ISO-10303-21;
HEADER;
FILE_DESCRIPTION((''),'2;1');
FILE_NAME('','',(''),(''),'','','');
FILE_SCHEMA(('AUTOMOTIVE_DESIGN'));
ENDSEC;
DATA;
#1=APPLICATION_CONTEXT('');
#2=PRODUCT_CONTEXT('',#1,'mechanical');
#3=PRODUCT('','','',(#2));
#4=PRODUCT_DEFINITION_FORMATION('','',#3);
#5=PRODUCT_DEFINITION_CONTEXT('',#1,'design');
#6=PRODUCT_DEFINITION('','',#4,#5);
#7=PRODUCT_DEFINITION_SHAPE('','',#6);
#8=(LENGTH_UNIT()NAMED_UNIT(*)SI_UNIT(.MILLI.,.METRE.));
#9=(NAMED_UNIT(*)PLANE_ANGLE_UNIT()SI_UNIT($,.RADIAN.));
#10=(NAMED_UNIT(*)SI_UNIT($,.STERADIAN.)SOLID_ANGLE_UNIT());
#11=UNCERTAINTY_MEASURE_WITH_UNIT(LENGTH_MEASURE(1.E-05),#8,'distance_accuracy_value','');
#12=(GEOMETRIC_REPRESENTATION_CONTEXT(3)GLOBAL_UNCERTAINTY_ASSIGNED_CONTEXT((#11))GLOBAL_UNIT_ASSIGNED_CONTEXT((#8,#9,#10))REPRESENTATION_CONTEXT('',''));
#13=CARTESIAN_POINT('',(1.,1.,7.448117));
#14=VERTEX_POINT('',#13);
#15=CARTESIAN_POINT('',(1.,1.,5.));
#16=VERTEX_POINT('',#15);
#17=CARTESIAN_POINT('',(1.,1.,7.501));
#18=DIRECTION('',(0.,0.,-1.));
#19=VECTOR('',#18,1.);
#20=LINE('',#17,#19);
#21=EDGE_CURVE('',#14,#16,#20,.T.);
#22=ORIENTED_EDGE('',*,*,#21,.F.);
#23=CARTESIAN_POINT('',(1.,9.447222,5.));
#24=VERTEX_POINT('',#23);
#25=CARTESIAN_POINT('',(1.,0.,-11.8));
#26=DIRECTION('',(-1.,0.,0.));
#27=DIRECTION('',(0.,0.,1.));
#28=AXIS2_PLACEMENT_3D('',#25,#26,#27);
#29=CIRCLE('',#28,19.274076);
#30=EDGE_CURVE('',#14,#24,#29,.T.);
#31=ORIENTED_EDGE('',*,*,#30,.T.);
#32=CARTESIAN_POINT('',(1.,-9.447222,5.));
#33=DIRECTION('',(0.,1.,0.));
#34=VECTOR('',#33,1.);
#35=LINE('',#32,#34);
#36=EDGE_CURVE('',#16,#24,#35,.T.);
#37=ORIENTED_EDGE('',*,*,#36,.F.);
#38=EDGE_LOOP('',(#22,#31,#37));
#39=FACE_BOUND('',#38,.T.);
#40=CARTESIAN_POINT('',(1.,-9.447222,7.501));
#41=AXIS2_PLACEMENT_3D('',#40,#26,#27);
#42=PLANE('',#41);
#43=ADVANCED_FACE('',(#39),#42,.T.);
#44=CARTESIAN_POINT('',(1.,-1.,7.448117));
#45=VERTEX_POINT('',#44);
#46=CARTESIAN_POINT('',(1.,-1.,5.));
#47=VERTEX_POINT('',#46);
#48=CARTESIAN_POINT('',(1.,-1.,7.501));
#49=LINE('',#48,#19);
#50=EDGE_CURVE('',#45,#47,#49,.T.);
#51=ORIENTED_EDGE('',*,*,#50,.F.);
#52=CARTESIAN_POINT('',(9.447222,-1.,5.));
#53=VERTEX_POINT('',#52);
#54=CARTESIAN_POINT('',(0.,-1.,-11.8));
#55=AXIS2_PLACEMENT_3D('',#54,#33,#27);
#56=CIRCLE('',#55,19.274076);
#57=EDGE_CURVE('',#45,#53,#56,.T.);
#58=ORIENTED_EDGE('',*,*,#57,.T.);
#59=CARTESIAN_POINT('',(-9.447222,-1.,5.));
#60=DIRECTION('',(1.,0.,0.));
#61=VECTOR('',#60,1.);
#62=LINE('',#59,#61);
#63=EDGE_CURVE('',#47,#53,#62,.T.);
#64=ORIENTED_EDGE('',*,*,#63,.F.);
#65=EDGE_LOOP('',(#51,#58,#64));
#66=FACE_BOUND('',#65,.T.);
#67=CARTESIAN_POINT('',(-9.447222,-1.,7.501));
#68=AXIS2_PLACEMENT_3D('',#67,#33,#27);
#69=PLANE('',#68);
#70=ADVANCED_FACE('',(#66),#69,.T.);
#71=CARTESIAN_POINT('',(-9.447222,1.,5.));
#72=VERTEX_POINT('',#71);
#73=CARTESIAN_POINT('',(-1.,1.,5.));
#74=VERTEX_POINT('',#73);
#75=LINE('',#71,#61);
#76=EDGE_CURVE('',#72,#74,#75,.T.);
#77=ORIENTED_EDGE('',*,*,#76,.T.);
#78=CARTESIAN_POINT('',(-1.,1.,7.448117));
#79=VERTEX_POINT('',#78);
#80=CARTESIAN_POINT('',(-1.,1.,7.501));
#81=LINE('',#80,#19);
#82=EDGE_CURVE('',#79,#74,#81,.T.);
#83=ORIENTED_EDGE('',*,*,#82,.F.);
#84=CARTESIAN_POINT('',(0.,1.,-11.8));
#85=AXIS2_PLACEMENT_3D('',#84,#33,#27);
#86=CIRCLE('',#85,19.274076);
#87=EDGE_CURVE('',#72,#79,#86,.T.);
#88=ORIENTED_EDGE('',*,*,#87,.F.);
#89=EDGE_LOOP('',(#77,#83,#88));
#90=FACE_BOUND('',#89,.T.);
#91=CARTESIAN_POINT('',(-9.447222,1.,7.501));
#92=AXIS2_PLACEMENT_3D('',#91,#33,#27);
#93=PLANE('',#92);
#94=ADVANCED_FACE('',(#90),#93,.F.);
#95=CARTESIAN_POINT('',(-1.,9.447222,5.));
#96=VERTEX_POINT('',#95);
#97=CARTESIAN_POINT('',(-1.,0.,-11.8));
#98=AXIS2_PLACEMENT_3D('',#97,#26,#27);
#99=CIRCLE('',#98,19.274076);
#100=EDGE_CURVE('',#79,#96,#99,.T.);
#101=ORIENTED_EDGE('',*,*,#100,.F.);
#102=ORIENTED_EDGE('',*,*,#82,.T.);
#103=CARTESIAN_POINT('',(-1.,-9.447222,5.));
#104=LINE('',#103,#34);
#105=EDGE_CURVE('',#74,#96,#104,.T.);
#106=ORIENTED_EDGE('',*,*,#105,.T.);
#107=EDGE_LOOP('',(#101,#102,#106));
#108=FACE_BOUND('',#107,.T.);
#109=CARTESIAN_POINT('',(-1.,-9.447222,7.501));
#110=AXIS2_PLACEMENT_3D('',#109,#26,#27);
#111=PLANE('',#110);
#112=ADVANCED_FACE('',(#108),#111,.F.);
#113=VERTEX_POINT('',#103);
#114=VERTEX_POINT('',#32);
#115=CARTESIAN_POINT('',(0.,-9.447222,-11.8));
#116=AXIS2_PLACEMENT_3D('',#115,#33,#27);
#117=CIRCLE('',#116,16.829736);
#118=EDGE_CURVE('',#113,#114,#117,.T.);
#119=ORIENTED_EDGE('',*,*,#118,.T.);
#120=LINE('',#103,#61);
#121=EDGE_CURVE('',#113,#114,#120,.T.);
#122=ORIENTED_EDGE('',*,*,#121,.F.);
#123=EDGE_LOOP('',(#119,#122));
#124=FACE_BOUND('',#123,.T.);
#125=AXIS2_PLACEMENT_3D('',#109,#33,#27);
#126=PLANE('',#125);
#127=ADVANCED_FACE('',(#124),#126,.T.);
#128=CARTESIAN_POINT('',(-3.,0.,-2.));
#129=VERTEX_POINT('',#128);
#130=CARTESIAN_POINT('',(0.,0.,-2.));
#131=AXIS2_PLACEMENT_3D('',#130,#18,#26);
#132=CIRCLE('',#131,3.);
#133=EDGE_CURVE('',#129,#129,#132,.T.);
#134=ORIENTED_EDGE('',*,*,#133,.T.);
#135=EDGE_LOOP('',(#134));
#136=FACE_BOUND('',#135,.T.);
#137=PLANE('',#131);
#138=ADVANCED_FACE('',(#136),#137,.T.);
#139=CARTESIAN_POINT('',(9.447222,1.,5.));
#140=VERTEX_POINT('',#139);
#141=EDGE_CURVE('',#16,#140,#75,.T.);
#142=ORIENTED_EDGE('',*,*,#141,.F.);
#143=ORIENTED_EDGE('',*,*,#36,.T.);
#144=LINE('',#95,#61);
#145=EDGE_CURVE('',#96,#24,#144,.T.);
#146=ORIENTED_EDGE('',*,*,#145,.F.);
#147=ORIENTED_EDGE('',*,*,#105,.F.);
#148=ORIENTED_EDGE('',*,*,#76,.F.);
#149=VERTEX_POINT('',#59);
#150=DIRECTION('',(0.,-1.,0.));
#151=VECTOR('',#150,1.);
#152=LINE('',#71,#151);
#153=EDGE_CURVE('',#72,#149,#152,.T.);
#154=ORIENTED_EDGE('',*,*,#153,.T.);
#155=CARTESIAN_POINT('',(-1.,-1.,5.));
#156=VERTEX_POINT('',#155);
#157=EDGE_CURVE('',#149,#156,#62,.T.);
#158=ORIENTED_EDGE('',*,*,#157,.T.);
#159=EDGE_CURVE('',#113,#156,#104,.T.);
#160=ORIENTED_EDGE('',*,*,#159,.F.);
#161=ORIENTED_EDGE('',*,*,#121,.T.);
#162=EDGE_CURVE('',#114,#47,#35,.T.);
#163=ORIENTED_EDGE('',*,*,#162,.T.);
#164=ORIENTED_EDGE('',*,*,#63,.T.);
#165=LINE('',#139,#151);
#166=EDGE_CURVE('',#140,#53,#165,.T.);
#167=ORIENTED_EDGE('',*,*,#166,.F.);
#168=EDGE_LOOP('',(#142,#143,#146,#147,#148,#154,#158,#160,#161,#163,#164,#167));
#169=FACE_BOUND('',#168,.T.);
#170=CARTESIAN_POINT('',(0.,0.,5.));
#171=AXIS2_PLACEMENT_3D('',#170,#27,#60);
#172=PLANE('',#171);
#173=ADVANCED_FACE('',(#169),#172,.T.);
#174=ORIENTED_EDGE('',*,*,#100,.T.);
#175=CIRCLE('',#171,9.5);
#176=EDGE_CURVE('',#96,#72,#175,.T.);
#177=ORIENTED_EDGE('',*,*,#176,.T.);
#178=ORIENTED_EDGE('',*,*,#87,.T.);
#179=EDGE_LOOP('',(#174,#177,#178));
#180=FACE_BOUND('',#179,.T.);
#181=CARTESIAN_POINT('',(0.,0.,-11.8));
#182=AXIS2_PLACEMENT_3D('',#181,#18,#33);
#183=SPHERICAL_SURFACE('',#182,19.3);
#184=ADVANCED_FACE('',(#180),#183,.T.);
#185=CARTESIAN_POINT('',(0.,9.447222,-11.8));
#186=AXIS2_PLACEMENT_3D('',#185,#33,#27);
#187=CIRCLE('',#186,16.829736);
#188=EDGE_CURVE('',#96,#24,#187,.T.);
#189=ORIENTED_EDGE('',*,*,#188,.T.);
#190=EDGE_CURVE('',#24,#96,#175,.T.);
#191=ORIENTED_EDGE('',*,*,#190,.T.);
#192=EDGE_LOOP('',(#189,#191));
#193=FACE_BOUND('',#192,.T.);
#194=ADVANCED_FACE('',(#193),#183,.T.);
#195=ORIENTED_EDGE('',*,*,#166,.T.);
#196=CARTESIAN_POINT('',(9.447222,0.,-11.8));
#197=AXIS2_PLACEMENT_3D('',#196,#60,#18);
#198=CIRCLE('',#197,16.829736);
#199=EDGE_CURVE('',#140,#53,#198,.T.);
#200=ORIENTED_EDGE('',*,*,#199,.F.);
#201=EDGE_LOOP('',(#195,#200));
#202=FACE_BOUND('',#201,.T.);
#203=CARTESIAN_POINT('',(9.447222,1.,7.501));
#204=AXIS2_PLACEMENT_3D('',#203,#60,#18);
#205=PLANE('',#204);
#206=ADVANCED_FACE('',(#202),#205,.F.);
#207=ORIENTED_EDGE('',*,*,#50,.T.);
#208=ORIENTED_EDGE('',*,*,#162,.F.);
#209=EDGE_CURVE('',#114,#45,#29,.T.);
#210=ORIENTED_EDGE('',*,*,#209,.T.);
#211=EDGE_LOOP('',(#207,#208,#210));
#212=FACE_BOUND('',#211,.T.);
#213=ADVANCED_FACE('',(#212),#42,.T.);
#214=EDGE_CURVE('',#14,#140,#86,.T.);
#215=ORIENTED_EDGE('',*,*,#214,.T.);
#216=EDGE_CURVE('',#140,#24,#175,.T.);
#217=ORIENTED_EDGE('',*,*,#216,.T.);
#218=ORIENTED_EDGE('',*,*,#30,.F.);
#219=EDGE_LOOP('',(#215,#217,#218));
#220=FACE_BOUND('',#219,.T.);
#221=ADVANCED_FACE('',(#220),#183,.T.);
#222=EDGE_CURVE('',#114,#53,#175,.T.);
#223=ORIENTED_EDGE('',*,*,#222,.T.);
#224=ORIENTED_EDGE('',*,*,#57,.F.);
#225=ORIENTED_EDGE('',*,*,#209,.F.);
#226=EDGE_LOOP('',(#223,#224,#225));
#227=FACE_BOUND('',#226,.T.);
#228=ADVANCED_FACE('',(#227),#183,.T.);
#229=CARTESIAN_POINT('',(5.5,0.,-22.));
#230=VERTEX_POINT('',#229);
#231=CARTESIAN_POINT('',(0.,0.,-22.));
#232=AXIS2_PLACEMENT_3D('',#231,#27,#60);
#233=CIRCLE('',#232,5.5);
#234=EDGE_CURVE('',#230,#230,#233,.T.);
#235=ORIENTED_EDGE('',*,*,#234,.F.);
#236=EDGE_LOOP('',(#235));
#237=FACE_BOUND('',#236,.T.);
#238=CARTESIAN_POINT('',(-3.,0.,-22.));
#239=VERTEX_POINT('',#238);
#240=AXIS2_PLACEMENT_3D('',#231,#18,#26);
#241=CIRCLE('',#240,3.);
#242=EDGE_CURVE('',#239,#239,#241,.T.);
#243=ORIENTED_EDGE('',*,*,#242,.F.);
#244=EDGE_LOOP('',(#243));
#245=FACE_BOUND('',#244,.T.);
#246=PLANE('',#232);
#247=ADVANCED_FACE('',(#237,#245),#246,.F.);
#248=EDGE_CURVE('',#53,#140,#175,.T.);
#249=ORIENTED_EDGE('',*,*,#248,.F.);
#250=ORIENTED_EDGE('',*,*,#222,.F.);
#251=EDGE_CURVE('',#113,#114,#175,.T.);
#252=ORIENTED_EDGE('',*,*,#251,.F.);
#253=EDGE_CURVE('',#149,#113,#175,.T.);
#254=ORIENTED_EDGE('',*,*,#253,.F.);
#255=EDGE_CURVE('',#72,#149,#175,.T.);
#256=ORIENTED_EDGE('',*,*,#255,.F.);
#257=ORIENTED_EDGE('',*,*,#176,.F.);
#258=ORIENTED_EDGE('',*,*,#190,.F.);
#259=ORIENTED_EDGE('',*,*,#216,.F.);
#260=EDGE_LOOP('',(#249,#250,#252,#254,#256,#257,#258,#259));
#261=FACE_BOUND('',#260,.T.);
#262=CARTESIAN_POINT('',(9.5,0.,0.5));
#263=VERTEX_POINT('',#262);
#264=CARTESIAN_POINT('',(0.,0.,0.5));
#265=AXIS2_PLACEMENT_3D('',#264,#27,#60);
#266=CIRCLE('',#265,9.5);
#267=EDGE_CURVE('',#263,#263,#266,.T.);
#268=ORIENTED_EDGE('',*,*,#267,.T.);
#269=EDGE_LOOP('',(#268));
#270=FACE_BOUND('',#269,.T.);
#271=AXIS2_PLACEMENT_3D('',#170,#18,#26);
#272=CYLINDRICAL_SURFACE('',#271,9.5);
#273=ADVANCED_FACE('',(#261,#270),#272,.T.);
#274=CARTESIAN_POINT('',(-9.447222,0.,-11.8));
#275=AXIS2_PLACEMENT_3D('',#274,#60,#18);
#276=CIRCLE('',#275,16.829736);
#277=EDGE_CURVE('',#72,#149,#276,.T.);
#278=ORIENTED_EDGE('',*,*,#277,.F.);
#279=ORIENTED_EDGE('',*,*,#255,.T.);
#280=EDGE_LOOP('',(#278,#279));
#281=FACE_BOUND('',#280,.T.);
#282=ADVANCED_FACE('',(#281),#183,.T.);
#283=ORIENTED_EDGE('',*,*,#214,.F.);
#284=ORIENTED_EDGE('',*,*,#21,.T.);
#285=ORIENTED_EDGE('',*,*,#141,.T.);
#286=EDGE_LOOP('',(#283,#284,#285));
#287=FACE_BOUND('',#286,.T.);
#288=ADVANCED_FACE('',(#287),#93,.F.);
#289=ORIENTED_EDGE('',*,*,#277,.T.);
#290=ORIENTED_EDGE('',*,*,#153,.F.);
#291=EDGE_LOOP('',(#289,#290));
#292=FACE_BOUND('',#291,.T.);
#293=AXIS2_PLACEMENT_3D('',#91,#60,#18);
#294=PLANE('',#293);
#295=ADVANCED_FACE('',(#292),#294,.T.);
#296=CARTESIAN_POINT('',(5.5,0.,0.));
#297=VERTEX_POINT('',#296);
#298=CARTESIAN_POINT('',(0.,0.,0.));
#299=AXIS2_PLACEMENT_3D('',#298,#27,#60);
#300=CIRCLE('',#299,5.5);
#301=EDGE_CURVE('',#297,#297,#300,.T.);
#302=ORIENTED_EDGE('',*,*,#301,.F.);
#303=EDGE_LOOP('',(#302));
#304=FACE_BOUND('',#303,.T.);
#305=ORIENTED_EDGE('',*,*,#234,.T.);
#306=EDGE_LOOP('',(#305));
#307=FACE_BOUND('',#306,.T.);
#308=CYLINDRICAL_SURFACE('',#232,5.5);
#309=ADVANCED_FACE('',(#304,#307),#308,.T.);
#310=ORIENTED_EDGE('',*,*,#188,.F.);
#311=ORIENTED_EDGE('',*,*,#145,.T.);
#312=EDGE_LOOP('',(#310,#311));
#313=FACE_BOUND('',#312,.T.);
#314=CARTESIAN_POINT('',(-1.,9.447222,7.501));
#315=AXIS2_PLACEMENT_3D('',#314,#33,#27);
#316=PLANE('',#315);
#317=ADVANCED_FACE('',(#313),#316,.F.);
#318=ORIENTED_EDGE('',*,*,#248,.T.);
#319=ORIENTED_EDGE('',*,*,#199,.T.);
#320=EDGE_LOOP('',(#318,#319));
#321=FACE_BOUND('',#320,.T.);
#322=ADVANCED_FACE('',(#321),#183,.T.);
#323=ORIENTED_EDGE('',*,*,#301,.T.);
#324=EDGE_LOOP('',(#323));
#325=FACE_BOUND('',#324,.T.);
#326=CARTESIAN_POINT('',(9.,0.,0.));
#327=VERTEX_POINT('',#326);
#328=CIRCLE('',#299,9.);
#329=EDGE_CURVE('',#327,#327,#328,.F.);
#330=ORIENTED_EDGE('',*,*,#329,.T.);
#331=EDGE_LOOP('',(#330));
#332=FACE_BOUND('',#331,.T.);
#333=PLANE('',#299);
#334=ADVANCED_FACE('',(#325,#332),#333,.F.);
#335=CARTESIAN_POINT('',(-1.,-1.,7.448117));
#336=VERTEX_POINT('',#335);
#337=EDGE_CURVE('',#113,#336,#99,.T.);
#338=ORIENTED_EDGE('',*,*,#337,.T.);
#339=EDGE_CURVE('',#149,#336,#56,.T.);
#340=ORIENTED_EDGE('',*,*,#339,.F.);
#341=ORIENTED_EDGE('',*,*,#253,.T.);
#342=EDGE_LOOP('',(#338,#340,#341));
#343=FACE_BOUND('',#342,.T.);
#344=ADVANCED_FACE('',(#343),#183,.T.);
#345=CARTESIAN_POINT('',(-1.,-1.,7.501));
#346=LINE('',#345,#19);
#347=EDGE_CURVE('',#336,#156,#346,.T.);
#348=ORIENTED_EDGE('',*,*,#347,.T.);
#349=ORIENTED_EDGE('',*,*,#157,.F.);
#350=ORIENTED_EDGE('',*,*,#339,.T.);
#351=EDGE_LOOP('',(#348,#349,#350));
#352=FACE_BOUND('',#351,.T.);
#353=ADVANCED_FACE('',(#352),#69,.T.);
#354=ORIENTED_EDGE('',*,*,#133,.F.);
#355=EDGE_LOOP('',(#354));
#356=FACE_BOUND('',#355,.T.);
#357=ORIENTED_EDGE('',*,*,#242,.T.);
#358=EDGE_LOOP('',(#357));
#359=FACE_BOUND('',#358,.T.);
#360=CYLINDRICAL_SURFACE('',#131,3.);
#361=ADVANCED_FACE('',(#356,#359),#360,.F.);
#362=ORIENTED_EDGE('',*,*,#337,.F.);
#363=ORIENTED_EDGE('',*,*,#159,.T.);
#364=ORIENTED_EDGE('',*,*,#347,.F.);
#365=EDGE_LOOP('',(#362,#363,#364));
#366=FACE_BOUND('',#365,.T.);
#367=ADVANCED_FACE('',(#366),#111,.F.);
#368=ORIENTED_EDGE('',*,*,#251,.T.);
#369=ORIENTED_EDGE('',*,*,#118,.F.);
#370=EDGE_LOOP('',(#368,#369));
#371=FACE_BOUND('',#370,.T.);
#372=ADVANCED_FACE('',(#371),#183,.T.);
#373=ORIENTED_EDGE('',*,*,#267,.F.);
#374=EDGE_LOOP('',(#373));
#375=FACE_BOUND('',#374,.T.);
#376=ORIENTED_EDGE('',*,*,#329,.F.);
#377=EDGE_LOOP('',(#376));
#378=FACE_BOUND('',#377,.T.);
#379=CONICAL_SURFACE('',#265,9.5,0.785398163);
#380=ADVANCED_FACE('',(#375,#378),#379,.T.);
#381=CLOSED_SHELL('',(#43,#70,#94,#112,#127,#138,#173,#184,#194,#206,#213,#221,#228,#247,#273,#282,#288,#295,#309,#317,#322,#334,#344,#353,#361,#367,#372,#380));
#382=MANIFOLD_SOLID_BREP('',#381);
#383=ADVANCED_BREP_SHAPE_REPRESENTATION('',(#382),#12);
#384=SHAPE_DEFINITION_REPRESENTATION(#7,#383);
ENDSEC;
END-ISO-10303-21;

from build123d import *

# Parameters (mm, degrees)
SKETCH1_R           = 9.5
SKETCH1_W           = 2
SKETCH1_H           = 18.894443628
BOSS_EXTRUDE1_DEPTH = 5
SKETCH1_3_R         = 5.5
BOSS_EXTRUDE2_DEPTH = 22
CUT_EXTRUDE2_REACH  = 32.778
CUT_EXTRUDE2_START  = 5
SKETCH1_4_W         = 2
SKETCH1_4_H         = 18.894443628
SKETCH1_4_W_2       = 18.894443628
SKETCH1_4_H_2       = 2
CHAMFER1_SIZE       = 0.5
SKETCH7_R           = 3
CUT_EXTRUDE3_DEPTH  = 20


with BuildPart() as part:
    # Sketch1 → Boss-Extrude1 (new body)
    with BuildSketch(Plane.XY):
        Circle(SKETCH1_R)
        Rectangle(SKETCH1_W, SKETCH1_H)
    extrude(amount=BOSS_EXTRUDE1_DEPTH)

    # Sketch1<3> → Boss-Extrude2 (add)
    with BuildSketch(Plane.XY):
        Circle(SKETCH1_3_R)
    extrude(amount=-BOSS_EXTRUDE2_DEPTH)

    # Sketch2 → Revolve1 (revolve)
    with BuildSketch(Plane(origin=(0, 0, 0), x_dir=(0, 0, -1), z_dir=(1, 0, 0))):
        with BuildLine():
            Line((-5, 9.5), (-5, 0))
            Line((-5, 0), (-7.5, 0))
            ThreePointArc((-7.5, 0), (-6.864538569, 4.911720676), (-5, 9.5))
        make_face()
    revolve(axis=Axis((0, 0, 0), (0, 0, 1)))

    # Sketch1<4> → Cut-Extrude2 (cut, up to next)
    with BuildSketch(Plane.XY.offset(CUT_EXTRUDE2_START), mode=Mode.PRIVATE) as cut_extrude2_sk1:
        Rectangle(SKETCH1_4_W, SKETCH1_4_H)
    cut_extrude2_tool1 = extrude(cut_extrude2_sk1.sketch, amount=CUT_EXTRUDE2_REACH, mode=Mode.PRIVATE) & part.part
    # Sketch1<4> → Cut-Extrude2 (cut, up to next)
    with BuildSketch(Plane.XY.offset(CUT_EXTRUDE2_START), mode=Mode.PRIVATE) as cut_extrude2_sk2:
        Rectangle(SKETCH1_4_W_2, SKETCH1_4_H_2)
    cut_extrude2_tool2 = extrude(cut_extrude2_sk2.sketch, amount=CUT_EXTRUDE2_REACH, mode=Mode.PRIVATE) & part.part
    add(cut_extrude2_tool1.solids().sort_by_distance((0, 0, 5))[0], mode=Mode.SUBTRACT)
    add(cut_extrude2_tool2.solids().sort_by_distance((0, 0, 5))[0], mode=Mode.SUBTRACT)

    # Chamfer1
    chamfer1_edges = [part.edges().sort_by_distance(p)[0] for p in [
        (-9.5, 0, 0),
    ]]
    chamfer(chamfer1_edges, length=CHAMFER1_SIZE)

    # Sketch7 → Cut-Extrude3 (cut)
    with BuildSketch(Plane(origin=(0, 0, -22), x_dir=(-1, 0, 0), z_dir=(0, 0, -1))):
        Circle(SKETCH7_R)
    extrude(amount=-CUT_EXTRUDE3_DEPTH, mode=Mode.SUBTRACT)


solid = part.part
